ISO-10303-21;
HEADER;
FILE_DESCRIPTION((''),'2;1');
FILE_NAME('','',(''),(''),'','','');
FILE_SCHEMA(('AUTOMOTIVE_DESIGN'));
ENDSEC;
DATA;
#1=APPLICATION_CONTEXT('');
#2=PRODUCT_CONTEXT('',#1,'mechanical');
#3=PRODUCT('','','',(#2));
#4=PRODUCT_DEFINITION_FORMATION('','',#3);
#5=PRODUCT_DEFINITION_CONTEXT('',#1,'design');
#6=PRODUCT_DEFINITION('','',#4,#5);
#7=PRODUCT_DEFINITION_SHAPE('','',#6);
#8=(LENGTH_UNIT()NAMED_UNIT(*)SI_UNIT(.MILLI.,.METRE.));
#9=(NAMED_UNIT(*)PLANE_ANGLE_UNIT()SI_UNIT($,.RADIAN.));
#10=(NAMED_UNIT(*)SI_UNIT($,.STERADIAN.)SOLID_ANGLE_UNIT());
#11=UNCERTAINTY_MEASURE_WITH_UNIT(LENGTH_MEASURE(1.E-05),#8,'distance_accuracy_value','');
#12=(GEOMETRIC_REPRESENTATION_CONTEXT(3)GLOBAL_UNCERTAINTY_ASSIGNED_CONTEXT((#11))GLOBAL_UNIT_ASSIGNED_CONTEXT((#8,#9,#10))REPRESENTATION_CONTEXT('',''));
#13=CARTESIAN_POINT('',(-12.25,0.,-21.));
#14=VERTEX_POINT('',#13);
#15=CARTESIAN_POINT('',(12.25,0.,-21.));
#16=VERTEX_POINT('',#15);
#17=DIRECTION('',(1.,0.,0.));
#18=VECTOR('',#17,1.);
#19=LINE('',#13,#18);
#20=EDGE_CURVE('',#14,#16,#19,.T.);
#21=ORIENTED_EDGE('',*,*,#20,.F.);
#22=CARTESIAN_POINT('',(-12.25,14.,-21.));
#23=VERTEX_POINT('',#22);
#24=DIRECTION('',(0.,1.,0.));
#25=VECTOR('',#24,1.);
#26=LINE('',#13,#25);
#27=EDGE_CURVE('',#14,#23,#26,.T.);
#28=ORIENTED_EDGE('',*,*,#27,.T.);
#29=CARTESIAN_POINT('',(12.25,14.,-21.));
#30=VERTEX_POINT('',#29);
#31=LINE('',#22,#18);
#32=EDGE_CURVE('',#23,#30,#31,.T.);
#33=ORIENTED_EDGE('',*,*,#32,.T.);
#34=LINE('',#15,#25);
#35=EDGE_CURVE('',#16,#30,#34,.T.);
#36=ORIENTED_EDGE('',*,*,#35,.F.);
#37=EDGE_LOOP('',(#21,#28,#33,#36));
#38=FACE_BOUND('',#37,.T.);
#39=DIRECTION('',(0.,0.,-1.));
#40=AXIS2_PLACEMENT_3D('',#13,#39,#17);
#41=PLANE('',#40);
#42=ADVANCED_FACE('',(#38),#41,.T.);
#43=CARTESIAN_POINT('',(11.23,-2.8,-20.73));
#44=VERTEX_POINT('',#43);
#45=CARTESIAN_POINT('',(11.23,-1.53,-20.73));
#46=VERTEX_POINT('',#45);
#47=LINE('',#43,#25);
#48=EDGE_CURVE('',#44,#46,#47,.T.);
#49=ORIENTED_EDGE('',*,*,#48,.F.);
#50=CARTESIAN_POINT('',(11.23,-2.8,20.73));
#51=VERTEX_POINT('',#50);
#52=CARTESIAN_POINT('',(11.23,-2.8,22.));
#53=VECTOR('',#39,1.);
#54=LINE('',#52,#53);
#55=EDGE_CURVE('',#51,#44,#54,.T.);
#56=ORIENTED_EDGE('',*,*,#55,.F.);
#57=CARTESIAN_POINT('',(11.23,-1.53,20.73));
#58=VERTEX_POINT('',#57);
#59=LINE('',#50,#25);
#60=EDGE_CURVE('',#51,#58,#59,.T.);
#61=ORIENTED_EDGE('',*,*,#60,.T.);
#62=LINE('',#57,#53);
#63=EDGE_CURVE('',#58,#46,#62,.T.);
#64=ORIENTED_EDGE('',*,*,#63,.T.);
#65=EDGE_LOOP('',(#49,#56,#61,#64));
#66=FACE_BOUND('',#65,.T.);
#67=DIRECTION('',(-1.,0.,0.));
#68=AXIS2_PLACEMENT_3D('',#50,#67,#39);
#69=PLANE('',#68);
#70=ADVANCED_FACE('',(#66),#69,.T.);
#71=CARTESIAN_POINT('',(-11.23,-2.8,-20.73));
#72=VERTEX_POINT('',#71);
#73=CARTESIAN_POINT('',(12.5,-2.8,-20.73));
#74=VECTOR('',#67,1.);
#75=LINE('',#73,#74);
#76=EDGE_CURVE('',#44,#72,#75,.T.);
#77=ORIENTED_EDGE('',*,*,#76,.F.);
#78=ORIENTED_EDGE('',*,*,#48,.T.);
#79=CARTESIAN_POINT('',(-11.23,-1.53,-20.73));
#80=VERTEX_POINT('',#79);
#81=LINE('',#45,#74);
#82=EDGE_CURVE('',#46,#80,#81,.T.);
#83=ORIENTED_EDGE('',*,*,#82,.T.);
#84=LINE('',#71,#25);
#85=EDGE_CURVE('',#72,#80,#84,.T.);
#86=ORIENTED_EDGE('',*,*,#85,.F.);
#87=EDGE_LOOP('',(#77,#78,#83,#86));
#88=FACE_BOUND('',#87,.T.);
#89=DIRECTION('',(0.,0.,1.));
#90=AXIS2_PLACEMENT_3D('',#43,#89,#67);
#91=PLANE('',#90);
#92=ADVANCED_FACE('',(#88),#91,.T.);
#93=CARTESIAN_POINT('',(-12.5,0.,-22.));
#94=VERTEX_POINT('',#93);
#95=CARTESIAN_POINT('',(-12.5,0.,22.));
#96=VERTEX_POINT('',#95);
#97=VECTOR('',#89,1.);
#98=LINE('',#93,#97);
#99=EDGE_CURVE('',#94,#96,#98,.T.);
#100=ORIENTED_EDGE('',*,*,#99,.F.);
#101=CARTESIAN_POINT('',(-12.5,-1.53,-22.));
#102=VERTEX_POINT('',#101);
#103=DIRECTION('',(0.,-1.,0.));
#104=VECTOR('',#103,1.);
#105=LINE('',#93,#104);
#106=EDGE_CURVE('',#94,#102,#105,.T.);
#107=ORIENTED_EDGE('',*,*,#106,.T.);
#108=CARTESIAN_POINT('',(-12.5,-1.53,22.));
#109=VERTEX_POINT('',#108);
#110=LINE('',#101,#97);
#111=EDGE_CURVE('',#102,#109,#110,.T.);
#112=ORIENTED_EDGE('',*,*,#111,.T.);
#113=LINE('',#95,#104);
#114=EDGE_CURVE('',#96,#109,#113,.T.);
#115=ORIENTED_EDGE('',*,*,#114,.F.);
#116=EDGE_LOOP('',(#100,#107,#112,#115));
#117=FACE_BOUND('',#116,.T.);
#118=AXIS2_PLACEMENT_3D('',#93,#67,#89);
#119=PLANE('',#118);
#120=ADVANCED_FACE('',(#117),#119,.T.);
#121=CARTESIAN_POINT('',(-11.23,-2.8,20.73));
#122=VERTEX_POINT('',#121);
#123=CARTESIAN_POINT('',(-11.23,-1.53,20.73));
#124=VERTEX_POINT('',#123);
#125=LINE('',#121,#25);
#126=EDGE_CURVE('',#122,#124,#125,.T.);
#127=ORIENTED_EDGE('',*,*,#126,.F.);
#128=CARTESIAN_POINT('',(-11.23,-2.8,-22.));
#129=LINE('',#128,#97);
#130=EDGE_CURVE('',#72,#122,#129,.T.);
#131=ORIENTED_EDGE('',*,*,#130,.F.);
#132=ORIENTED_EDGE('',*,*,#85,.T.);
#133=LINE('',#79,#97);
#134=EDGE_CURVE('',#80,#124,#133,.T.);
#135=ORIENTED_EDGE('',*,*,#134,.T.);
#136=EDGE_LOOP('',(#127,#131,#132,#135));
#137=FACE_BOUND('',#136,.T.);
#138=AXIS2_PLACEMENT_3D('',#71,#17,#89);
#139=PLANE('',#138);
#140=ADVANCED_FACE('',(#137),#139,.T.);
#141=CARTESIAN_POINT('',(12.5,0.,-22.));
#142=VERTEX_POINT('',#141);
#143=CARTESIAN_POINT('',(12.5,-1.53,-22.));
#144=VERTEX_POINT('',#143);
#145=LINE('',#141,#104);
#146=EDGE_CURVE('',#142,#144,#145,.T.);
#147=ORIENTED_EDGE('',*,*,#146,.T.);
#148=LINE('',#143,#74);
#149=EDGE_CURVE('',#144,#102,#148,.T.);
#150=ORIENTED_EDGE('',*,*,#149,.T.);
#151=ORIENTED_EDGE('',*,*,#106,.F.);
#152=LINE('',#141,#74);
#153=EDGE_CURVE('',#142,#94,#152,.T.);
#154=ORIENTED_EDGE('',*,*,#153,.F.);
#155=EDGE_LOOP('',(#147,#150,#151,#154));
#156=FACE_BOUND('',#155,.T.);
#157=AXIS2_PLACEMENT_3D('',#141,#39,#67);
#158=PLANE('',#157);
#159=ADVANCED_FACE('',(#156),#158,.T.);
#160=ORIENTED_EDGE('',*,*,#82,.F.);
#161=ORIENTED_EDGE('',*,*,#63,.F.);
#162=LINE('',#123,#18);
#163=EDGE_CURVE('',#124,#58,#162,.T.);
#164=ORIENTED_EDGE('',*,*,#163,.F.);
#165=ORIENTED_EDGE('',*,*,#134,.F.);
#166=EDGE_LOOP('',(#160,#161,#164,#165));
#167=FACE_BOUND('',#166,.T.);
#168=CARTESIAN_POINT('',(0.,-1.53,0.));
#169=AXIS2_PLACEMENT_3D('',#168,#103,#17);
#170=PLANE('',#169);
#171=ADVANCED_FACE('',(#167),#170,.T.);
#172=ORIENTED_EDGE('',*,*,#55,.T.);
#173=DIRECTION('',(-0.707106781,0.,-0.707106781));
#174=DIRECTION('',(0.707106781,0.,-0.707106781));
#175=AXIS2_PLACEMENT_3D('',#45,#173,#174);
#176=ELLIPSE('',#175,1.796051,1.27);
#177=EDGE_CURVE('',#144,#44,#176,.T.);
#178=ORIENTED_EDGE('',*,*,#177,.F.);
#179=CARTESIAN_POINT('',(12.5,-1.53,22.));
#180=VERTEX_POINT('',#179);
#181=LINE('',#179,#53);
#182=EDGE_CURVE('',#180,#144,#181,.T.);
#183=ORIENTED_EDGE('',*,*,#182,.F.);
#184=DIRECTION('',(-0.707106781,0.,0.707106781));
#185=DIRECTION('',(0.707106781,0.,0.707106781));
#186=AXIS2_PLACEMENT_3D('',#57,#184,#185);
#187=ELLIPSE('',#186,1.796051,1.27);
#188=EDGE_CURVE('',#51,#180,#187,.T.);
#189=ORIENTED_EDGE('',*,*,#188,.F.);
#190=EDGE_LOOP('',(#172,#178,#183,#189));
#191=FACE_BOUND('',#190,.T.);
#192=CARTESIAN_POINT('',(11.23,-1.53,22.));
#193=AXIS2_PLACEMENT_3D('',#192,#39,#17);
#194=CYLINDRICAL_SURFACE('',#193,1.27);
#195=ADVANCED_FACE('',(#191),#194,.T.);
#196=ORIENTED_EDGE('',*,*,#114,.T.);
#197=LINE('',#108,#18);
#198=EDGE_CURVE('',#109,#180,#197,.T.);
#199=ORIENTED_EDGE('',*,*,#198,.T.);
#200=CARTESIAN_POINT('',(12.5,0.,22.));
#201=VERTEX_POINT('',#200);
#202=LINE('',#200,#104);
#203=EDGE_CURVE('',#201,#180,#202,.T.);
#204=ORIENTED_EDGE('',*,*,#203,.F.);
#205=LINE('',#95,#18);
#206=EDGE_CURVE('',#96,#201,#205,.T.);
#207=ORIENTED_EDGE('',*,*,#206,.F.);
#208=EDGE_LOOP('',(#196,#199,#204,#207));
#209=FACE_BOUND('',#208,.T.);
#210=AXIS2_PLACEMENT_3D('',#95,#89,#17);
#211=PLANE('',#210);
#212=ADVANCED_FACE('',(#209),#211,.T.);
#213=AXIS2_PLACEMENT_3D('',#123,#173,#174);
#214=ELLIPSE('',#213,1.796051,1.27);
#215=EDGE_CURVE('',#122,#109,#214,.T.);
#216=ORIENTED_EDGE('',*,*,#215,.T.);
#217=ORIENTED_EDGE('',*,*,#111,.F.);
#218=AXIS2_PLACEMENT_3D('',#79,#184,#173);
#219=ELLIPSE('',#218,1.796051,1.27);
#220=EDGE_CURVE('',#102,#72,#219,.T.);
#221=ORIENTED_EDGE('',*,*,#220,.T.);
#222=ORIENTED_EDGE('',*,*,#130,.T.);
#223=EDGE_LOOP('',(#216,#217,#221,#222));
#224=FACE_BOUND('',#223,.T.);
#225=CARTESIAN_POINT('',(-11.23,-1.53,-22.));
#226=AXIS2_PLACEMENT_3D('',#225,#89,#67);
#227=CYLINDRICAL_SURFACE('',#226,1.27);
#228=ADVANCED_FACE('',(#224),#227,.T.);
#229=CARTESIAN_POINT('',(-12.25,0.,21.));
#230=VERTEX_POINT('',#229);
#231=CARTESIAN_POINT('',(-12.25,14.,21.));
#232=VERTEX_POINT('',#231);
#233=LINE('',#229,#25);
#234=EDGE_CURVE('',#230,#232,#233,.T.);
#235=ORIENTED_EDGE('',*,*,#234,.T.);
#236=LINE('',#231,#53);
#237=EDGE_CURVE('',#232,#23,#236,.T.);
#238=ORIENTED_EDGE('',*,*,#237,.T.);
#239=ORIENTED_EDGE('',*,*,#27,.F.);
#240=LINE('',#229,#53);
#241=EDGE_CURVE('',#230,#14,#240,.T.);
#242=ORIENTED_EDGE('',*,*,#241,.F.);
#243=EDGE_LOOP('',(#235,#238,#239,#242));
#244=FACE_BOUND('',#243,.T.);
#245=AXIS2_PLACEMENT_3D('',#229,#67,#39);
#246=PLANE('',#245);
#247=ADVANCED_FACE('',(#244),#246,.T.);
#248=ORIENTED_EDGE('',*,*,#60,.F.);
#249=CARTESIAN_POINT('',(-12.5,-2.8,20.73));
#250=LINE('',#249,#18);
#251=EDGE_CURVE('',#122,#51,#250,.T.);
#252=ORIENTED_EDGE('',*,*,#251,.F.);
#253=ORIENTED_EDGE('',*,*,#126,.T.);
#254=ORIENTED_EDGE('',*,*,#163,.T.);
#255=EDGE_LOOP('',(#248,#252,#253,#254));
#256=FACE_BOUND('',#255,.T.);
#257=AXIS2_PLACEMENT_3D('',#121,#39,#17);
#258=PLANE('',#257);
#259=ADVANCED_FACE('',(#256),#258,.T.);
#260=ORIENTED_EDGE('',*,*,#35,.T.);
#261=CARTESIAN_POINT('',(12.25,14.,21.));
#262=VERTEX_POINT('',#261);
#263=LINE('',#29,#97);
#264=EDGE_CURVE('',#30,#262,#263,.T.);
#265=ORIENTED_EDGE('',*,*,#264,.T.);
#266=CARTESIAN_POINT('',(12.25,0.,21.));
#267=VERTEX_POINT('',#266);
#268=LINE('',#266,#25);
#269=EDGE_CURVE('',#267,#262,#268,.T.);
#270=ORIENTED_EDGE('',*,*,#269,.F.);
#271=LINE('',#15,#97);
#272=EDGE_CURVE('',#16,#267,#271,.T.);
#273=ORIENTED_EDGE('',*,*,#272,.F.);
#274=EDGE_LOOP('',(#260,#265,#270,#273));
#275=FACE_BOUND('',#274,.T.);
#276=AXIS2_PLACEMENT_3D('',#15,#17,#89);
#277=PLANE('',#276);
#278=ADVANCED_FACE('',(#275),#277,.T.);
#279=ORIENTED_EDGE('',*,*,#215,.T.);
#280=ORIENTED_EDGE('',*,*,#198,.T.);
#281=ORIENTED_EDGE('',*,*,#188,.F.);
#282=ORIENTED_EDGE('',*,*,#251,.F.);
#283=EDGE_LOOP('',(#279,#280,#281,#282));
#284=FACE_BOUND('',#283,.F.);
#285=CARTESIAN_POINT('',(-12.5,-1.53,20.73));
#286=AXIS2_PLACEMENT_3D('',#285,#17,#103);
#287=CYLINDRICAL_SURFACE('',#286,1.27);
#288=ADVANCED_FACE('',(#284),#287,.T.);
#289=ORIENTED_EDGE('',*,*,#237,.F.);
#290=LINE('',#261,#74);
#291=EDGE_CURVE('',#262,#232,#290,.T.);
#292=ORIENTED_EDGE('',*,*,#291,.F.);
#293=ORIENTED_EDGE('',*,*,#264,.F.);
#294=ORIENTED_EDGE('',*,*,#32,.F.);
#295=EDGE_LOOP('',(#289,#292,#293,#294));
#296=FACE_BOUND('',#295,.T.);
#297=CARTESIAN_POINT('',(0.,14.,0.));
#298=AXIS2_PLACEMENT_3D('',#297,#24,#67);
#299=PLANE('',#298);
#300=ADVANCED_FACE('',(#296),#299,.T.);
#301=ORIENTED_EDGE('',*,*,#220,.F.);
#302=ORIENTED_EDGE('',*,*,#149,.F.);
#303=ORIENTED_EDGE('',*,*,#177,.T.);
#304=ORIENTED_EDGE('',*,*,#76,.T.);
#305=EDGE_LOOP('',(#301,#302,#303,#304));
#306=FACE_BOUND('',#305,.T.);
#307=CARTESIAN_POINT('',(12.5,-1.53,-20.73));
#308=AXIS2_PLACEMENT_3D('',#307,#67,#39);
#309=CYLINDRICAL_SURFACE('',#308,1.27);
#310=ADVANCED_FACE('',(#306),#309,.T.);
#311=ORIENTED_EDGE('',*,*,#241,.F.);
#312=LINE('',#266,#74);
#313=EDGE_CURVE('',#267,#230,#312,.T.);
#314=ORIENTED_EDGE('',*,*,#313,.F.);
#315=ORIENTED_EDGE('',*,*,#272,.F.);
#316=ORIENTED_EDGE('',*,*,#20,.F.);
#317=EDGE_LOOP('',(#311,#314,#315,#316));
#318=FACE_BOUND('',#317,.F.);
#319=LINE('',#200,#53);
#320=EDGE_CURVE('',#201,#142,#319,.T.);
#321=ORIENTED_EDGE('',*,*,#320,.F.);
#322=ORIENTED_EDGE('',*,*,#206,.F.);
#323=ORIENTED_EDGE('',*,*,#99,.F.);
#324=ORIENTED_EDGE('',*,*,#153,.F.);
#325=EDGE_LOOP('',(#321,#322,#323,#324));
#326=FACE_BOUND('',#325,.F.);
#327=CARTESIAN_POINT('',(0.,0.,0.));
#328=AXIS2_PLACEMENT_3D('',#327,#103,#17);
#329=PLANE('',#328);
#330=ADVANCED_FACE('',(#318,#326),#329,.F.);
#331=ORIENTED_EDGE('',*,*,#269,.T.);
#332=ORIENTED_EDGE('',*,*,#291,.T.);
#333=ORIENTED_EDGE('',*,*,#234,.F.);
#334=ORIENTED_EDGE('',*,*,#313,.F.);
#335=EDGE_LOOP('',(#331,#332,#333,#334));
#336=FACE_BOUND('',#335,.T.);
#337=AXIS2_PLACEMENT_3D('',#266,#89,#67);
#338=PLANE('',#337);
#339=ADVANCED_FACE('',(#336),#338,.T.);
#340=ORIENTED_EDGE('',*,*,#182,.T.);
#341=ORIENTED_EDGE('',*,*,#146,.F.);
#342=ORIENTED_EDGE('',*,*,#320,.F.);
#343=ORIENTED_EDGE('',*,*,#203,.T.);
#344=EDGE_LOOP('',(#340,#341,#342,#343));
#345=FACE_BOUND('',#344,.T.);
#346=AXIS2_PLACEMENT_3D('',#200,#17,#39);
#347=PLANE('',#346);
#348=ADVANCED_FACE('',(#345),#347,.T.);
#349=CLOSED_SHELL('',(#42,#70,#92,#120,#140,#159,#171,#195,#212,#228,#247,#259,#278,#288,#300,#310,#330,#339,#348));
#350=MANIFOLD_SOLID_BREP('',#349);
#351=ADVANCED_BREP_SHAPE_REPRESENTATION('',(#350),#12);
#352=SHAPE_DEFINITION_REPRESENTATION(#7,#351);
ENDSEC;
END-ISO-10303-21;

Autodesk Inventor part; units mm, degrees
ref_plane "YZ Plane" through (0, 0, 0) normal (1, 0, 0) x (0, 1, 0)
ref_plane "XZ Plane" through (0, 0, 0) normal (0, 1, 0) x (-1, 0, 0)
ref_plane "XY Plane" through (0, 0, 0) normal (0, 0, 1) x (1, 0, 0)
sketch "Sketch1" plane through (0, 0, 0) normal (0, 1, 0) x (-1, 0, 0)
  line L0 (-12.25, 21) -> (12.25, 21)
  line L1 (12.25, 21) -> (12.25, -21)
  line L2 (12.25, -21) -> (-12.25, -21)
  line L3 (-12.25, -21) -> (-12.25, 21)
  line L4 (-12.25, 21) -> (12.25, -21) construction
  line L5 (12.25, 21) -> (-12.25, -21) construction
  point P0 (0, 0)
  dimension "d0" = 24.5
  dimension "d1" = 42
extrude "Extrusion1" add sketch "Sketch1" along normal blind 14
sketch "Sketch2" plane through (0, 0, 0) normal (0, -1, 0) x (1, 0, 0)
  line L0 (12.5, -22) -> (-12.5, -22)
  line L1 (-12.5, -22) -> (-12.5, 22)
  line L2 (-12.5, 22) -> (12.5, 22)
  line L3 (12.5, 22) -> (12.5, -22)
  line L4 (12.5, -22) -> (-12.5, 22) construction
  line L5 (-12.5, -22) -> (12.5, 22) construction
  point P0 (0, 0)
  dimension "d4" = 25
  dimension "d5" = 44
extrude "Extrusion2" add sketch "Sketch2" along normal blind 2.8
fillet "Fillet1" radius 1.27 4 edges at (0, -2.8, 22) (12.5, -2.8, 0) (0, -2.8, -22) (-12.5, -2.8, 0)
sketch "Sketch3" plane through (0, -2.8, 0) normal (0, -1, 0) x (1, 0, 0)
  line L0 (-11.23, -20.73) -> (-11.23, 20.73) projected
  line L1 (11.23, -20.73) -> (-11.23, -20.73)
  line L2 (-11.23, -20.73) -> (-11.23, 20.73)
  line L3 (-11.23, 20.73) -> (11.23, 20.73)
  line L4 (11.23, 20.73) -> (11.23, -20.73)
  line L5 (11.23, -20.73) -> (-11.23, 20.73) construction
  line L6 (-11.23, -20.73) -> (11.23, 20.73) construction
  point P0 (0, 0)
extrude "Extrusion3" cut sketch "Sketch3" against normal blind 1.27
properties part number "BatteryVoltage"
